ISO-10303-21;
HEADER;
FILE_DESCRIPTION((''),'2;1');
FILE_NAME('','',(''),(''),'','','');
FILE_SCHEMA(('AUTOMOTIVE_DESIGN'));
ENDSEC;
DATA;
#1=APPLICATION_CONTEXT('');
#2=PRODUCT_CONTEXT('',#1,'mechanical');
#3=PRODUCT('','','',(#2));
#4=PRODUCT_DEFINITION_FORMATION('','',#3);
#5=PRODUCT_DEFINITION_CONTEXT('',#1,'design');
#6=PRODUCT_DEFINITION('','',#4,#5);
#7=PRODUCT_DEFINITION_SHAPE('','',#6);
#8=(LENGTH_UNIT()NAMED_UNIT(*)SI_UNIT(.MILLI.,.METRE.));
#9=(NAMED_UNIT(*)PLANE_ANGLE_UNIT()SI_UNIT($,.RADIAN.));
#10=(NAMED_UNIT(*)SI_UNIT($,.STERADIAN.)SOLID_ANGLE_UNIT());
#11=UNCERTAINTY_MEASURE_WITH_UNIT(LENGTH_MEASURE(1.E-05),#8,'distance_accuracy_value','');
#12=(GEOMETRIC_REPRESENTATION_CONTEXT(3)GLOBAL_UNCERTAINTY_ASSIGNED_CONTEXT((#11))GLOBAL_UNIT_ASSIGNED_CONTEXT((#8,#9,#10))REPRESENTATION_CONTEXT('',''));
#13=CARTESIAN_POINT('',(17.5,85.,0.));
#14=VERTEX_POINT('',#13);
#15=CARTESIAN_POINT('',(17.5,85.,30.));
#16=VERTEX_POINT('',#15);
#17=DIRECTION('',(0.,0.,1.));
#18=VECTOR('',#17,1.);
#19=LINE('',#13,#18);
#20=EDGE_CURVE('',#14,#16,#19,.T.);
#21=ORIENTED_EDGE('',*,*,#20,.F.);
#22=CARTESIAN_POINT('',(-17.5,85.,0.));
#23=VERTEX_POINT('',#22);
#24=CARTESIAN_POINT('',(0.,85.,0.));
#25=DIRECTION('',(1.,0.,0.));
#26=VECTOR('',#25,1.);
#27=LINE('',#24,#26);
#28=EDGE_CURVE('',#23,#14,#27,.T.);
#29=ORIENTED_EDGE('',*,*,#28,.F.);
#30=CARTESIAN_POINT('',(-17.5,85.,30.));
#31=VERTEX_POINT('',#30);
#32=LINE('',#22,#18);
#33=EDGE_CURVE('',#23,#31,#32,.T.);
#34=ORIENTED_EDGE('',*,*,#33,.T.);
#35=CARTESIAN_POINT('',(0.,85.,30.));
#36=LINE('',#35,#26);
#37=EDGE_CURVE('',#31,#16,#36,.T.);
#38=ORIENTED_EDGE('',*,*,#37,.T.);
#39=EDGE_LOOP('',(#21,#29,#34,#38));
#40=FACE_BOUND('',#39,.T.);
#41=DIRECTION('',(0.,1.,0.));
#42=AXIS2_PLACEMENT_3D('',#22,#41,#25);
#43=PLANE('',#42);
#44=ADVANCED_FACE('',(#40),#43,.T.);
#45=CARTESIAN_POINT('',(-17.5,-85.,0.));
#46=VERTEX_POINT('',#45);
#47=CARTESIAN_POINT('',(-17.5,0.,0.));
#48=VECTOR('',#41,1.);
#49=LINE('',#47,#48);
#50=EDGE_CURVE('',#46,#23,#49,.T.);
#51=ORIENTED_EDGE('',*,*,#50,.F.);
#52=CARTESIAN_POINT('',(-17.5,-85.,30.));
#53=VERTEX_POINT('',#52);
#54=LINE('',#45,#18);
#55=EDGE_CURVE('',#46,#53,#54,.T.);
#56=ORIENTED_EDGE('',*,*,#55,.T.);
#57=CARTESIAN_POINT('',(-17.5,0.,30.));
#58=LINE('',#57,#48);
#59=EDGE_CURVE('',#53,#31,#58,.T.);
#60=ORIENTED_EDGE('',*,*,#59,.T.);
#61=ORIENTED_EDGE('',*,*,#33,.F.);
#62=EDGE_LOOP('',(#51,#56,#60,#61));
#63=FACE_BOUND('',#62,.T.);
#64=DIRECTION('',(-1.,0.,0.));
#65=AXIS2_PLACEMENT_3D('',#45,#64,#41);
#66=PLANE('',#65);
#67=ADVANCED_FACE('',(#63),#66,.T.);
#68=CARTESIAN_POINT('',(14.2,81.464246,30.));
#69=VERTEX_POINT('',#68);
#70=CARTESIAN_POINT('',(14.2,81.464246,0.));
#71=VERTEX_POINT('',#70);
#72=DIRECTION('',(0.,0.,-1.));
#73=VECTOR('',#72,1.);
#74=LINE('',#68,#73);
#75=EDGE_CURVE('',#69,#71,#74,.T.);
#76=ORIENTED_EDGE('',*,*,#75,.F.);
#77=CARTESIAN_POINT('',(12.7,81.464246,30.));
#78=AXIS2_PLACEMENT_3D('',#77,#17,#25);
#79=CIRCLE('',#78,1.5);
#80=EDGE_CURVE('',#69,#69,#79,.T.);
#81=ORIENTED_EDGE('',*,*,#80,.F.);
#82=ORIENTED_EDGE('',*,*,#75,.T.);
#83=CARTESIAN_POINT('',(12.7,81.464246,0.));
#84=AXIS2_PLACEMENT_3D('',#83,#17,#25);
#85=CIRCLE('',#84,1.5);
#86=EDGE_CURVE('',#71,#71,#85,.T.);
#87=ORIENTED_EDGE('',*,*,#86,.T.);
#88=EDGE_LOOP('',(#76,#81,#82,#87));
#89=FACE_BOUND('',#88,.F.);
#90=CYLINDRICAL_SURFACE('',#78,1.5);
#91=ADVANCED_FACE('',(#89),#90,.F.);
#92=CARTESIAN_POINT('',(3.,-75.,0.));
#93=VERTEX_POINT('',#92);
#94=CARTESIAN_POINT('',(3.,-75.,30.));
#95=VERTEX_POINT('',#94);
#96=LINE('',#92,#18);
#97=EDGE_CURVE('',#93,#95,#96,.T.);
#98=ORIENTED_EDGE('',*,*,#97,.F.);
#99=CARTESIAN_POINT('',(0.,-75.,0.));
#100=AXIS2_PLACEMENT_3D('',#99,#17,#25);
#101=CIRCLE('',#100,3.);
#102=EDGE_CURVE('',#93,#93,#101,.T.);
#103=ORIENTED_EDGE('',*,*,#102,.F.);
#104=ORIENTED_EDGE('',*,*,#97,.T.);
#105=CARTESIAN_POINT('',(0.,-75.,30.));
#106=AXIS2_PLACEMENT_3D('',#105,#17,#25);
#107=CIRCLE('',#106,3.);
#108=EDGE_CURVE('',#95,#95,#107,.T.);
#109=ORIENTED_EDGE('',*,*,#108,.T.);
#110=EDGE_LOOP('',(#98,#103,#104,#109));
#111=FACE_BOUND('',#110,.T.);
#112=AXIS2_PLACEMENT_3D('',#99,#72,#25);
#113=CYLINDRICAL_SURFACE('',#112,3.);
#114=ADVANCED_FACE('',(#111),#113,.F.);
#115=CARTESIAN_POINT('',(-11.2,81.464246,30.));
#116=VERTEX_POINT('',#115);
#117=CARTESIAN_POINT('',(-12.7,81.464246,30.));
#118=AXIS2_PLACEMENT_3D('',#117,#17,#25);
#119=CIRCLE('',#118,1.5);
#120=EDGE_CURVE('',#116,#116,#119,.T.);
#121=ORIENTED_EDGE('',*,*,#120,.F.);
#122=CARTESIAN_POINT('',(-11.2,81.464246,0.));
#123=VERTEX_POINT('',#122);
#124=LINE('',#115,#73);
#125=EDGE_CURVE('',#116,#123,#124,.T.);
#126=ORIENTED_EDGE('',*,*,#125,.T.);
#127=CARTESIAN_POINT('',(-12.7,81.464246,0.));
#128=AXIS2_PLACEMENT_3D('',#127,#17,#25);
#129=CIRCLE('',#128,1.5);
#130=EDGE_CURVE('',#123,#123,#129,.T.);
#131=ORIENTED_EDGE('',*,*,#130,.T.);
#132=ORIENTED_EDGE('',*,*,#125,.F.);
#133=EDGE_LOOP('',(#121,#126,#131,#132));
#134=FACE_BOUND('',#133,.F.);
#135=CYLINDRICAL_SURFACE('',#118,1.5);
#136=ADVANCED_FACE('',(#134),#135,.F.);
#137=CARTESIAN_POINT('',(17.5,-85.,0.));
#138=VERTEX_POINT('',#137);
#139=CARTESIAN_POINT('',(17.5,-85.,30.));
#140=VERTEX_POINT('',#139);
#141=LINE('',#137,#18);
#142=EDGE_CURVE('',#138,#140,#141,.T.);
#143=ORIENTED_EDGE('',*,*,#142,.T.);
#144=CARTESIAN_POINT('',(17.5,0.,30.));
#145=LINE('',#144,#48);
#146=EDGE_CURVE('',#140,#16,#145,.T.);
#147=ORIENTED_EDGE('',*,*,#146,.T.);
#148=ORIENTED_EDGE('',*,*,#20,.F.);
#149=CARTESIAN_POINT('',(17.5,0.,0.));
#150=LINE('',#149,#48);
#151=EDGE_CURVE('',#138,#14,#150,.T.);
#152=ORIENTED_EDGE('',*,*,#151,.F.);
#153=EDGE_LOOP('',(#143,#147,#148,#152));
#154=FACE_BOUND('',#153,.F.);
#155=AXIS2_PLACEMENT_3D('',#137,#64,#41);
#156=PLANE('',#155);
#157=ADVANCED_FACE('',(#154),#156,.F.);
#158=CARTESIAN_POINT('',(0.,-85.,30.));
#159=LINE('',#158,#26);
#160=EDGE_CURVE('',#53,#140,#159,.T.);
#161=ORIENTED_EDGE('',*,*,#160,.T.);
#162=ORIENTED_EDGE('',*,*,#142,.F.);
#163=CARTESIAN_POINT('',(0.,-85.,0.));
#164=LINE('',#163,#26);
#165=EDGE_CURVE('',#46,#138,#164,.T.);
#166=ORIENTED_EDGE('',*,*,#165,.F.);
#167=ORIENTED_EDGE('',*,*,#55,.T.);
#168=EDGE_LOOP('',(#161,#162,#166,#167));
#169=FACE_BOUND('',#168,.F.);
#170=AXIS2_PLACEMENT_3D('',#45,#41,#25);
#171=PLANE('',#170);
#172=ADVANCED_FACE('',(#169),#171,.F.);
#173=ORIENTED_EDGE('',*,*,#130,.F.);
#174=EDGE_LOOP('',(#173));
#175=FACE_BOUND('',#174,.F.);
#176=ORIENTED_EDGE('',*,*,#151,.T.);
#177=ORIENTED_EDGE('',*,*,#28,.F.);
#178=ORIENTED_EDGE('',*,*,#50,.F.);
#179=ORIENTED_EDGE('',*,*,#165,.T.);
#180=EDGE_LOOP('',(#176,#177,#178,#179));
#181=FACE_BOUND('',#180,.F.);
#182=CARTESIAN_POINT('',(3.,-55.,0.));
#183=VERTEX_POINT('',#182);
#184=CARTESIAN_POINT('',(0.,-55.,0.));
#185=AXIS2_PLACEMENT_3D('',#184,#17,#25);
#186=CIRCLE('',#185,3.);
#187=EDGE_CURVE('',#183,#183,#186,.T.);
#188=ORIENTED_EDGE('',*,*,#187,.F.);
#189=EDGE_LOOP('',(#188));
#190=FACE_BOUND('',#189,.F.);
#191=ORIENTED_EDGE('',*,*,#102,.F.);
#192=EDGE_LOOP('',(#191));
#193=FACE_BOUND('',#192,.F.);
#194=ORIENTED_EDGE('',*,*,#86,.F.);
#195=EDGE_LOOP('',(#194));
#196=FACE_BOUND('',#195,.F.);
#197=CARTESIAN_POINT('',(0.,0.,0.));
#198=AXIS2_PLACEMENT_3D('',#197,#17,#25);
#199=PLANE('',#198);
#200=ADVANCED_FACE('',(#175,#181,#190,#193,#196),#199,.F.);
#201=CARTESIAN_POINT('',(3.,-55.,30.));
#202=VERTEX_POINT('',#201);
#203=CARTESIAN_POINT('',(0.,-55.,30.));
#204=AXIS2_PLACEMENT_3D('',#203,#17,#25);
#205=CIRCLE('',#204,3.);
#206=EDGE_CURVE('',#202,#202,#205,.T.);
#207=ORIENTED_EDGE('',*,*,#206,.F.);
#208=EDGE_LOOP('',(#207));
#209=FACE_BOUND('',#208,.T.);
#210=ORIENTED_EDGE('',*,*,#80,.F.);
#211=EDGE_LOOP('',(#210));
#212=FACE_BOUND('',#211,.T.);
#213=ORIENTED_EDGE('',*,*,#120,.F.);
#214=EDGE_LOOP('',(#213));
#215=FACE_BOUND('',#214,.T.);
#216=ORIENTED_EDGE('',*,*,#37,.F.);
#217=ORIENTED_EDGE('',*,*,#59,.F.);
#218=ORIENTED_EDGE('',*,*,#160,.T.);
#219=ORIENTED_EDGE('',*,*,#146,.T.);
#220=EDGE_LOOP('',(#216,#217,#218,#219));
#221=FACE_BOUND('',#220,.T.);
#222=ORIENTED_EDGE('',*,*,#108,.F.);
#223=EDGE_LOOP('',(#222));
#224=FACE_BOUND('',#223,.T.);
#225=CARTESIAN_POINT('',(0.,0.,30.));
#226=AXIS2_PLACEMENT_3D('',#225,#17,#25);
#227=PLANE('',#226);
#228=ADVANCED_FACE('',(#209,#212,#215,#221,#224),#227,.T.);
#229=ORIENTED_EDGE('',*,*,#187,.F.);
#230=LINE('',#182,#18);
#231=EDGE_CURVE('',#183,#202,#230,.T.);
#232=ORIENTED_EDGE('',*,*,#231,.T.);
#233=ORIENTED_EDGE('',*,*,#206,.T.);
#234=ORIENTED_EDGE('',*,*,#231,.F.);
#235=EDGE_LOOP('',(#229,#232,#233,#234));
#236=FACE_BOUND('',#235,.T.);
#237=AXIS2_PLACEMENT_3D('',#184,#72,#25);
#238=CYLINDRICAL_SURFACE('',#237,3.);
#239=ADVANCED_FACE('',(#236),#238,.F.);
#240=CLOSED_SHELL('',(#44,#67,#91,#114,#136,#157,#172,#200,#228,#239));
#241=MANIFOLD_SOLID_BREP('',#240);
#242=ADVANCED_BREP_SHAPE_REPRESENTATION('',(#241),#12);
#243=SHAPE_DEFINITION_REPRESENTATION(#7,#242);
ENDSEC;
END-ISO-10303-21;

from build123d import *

# Parameters (mm, degrees)
F0_W     = 35
F0_H     = 170
F0_R     = 3
F1_DEPTH = 30
F2_R     = 1.5
F3_DEPTH = 30.001


with BuildPart() as f1:
    # F0 (on Top) → F1 (new body)
    with BuildSketch(Plane.XY):
        Rectangle(F0_W, F0_H)
        with Locations((0, -75)):
            Circle(F0_R, mode=Mode.SUBTRACT)
        with Locations((0, -55)):
            Circle(F0_R, mode=Mode.SUBTRACT)
    extrude(amount=F1_DEPTH)

    # F2 (on face) → F3 (cut, through all)
    with BuildSketch(Plane.XY.offset(30)):
        with Locations((-12.7, 81.464246)):
            Circle(F2_R)
        with Locations((12.7, 81.464246)):
            Circle(F2_R)
    extrude(amount=-F3_DEPTH, mode=Mode.SUBTRACT)


solid = f1.part
